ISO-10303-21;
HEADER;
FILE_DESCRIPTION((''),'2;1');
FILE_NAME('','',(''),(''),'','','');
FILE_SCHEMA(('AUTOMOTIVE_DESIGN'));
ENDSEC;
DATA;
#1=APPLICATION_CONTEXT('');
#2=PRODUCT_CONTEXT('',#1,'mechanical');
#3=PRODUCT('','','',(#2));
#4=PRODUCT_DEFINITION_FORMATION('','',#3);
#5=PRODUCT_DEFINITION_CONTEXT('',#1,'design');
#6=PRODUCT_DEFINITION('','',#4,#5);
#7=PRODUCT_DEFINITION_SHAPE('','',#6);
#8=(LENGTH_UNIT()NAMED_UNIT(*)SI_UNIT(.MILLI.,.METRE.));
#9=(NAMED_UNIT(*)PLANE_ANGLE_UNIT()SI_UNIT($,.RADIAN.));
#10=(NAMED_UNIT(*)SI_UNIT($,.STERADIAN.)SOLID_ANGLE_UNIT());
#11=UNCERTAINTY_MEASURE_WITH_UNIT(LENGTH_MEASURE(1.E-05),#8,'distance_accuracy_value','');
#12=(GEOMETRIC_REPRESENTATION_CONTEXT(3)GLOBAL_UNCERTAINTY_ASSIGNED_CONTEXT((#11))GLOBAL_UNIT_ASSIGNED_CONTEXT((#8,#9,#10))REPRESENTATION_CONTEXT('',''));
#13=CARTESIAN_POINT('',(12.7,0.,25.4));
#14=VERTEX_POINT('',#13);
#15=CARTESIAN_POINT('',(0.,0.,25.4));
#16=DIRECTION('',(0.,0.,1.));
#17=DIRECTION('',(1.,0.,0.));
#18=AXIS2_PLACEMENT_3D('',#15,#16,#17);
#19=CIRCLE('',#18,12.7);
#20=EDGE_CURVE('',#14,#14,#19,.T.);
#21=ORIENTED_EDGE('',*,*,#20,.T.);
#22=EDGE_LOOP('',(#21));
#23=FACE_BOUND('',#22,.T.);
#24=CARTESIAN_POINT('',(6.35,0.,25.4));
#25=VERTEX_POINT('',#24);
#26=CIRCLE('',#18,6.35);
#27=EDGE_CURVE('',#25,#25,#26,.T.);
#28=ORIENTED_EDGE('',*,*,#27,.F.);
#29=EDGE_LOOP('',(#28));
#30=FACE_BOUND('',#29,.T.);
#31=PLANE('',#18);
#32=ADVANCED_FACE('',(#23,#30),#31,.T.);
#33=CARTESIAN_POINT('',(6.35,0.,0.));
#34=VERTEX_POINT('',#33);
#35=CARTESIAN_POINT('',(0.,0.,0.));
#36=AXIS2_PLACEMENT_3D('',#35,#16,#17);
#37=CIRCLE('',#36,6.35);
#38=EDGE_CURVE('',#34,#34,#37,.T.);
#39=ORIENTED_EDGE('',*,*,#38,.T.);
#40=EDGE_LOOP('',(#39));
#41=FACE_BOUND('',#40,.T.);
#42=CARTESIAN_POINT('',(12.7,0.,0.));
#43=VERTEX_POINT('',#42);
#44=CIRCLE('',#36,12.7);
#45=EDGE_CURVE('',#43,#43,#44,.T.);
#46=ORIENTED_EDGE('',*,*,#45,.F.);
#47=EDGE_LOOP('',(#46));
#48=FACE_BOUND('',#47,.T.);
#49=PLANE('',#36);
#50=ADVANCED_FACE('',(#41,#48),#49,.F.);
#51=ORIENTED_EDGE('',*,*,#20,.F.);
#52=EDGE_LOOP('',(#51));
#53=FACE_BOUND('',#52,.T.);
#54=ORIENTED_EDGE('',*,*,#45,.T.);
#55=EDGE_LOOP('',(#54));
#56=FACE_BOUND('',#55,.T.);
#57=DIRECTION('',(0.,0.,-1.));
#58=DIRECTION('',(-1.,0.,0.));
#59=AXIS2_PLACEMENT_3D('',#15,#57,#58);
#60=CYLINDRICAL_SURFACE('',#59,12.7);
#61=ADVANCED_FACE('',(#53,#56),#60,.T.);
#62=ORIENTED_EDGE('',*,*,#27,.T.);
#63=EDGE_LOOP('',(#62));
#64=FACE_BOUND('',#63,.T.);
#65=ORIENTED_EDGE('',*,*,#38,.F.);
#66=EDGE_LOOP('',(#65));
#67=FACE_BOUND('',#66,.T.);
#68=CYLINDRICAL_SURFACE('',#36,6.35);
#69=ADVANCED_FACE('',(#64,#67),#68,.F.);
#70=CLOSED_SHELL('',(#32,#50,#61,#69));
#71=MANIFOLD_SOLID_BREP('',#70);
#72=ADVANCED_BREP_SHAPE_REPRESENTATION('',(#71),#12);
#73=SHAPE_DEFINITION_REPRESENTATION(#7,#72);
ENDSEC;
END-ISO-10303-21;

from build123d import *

# Parameters (mm, degrees)
SKETCH1_R           = 12.7
BOSS_EXTRUDE1_DEPTH = 25.4
SKETCH2_R           = 6.35
CUT_EXTRUDE1_DEPTH  = 25.4


with BuildPart() as part:
    # Sketch1 → Boss-Extrude1 (new body)
    with BuildSketch(Plane.XY):
        Circle(SKETCH1_R)
    extrude(amount=BOSS_EXTRUDE1_DEPTH)

    # Sketch2 → Cut-Extrude1 (cut)
    with BuildSketch(Plane.XY.offset(25.4)):
        Circle(SKETCH2_R)
    extrude(amount=-CUT_EXTRUDE1_DEPTH, mode=Mode.SUBTRACT)


solid = part.part
